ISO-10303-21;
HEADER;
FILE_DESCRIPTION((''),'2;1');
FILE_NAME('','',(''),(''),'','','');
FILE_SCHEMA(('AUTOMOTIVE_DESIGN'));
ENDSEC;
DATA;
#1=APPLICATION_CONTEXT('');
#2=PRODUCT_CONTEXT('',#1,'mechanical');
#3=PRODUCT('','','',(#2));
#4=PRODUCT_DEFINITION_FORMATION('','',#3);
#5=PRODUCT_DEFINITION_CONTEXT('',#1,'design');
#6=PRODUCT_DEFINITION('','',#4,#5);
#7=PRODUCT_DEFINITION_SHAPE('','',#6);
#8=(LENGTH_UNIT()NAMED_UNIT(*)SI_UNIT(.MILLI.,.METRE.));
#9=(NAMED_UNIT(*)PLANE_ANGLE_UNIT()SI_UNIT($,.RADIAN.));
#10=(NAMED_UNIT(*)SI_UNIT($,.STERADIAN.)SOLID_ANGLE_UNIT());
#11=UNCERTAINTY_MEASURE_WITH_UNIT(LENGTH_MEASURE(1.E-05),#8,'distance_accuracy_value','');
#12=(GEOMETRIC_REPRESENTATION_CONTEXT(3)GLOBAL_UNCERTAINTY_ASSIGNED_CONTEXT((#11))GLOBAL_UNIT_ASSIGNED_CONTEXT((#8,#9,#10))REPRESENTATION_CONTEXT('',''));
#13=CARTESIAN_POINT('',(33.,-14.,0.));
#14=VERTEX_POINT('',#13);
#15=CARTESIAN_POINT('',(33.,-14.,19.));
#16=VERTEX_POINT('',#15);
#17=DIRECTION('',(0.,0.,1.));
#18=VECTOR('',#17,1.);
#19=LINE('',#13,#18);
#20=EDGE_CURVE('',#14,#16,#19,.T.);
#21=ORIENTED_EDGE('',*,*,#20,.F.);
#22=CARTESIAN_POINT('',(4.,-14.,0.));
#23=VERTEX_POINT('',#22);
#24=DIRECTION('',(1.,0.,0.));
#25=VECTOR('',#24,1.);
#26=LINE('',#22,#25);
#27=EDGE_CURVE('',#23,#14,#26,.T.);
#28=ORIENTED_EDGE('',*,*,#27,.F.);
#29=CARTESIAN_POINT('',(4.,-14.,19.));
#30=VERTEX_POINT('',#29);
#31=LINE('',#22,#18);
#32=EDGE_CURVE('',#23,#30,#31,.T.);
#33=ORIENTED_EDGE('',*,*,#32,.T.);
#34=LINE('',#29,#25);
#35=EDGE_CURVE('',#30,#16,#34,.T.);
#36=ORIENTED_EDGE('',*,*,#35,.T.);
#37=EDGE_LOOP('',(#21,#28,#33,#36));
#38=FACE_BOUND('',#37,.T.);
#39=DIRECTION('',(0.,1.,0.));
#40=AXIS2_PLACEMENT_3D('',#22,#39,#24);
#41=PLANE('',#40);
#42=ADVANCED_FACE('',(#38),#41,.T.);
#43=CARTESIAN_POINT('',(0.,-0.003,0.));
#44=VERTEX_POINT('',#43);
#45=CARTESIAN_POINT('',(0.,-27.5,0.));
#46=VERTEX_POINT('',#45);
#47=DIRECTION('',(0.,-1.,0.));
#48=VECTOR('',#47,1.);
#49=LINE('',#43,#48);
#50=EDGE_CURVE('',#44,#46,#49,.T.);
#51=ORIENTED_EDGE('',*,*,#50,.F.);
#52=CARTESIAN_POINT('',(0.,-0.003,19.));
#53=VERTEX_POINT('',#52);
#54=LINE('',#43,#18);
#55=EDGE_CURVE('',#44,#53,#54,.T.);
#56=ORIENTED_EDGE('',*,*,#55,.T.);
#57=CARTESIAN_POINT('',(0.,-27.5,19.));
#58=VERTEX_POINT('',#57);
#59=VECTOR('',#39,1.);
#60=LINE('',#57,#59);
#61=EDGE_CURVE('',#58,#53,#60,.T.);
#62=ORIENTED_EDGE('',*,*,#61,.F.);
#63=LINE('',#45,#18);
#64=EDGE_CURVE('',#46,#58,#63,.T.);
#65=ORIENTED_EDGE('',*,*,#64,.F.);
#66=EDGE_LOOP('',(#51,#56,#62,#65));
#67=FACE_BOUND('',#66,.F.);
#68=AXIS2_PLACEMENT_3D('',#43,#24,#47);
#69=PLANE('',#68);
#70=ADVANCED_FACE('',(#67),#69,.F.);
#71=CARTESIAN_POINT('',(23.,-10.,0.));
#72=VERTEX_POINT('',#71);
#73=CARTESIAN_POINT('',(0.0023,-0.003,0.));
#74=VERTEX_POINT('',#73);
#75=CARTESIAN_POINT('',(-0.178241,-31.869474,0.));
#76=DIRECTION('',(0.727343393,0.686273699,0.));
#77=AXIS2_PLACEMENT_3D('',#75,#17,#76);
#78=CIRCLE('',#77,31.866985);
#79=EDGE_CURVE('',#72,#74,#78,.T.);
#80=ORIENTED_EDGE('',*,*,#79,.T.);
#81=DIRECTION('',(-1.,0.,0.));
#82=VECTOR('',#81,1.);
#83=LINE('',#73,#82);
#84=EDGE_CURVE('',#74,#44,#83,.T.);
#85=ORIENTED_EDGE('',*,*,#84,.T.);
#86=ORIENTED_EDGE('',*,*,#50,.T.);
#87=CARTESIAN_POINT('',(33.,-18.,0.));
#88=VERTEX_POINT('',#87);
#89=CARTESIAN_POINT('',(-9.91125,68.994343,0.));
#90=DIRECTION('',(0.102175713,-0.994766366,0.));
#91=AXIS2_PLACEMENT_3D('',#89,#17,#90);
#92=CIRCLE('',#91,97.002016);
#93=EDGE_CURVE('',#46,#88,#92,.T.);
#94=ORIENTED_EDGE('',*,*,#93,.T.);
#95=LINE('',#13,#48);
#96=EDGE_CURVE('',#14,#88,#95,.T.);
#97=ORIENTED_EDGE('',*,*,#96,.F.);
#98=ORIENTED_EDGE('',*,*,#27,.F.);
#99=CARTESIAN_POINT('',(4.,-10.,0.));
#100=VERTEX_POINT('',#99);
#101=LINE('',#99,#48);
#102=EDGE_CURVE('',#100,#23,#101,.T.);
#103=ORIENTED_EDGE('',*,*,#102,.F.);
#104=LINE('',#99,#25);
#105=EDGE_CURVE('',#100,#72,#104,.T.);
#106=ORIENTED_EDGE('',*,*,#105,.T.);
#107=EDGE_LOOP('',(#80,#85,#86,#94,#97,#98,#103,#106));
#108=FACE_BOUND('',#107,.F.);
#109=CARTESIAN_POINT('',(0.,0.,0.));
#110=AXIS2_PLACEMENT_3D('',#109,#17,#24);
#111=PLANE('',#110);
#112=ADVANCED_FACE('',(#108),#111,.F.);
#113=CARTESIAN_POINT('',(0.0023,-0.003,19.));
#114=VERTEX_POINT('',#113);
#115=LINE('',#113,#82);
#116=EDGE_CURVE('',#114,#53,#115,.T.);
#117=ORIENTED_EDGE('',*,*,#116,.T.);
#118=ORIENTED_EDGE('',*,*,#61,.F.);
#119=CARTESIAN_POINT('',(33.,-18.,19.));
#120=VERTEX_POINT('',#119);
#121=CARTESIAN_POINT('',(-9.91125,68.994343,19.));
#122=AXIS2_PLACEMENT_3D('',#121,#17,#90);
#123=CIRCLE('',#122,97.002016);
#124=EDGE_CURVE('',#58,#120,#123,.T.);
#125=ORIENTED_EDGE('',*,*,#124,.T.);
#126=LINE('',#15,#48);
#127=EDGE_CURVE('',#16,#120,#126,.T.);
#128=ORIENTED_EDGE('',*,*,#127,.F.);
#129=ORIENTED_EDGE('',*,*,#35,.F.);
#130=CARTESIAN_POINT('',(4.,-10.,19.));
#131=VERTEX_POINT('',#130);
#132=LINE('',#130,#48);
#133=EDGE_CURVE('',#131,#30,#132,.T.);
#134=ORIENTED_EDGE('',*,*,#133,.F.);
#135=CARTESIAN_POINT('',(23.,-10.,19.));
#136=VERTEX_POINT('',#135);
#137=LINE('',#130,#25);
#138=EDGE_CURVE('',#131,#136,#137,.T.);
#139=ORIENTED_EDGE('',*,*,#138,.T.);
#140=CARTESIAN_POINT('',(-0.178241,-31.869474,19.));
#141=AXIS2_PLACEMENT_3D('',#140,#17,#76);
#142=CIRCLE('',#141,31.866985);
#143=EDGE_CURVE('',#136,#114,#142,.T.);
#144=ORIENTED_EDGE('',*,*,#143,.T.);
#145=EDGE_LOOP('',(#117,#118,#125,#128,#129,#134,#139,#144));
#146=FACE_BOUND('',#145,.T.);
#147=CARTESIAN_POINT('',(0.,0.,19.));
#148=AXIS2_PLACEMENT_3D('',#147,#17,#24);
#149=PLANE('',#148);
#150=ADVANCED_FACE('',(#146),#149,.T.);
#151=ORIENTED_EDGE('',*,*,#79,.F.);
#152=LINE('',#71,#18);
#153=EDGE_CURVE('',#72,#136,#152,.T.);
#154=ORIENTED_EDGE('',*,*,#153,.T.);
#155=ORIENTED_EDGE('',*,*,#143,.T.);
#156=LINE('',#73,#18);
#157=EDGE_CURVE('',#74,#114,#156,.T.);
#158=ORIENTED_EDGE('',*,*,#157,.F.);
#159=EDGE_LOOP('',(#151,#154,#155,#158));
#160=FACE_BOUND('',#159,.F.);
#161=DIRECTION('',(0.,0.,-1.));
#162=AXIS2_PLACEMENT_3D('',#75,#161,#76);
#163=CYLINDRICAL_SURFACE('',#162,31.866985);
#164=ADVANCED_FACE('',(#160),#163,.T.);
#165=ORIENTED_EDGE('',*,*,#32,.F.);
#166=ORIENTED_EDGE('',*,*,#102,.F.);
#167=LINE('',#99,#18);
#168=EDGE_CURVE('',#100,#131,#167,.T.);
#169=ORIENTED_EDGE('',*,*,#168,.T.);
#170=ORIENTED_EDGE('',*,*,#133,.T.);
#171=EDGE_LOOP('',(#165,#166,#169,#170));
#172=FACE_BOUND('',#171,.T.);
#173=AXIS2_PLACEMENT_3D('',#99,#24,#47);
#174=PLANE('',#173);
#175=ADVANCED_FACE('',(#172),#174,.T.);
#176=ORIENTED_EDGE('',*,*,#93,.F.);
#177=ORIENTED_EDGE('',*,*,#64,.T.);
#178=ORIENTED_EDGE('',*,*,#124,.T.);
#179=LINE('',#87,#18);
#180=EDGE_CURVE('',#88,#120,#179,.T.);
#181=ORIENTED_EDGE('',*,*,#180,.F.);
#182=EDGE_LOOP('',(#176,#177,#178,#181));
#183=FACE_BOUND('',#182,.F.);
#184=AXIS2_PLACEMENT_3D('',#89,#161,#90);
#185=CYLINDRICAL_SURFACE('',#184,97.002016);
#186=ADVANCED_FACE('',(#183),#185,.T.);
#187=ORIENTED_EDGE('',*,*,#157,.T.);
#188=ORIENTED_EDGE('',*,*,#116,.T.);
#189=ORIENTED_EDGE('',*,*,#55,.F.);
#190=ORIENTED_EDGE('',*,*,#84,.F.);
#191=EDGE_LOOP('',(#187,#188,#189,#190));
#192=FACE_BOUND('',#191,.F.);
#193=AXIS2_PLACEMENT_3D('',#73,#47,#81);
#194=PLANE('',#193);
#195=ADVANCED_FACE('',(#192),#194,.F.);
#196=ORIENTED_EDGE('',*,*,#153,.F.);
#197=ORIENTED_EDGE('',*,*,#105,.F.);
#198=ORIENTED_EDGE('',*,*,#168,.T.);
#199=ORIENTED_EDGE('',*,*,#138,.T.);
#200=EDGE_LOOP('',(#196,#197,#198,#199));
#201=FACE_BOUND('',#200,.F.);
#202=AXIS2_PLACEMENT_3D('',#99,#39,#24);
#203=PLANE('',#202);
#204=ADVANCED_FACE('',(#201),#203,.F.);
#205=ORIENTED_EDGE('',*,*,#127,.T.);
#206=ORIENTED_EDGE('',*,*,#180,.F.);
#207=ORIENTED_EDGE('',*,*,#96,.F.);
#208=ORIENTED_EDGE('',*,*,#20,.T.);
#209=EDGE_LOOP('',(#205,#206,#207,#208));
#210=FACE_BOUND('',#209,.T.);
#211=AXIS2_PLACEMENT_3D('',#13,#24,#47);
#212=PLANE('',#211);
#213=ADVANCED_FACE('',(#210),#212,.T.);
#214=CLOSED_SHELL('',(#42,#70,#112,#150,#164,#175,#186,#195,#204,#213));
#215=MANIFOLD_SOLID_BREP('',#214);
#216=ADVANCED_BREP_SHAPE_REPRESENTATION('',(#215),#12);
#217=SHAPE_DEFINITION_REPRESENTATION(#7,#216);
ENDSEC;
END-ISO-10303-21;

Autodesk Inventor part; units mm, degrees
ref_plane "YZ Plane" through (0, 0, 0) normal (1, 0, 0) x (0, 1, 0)
ref_plane "XZ Plane" through (0, 0, 0) normal (0, 1, 0) x (-1, 0, 0)
ref_plane "XY Plane" through (0, 0, 0) normal (0, 0, 1) x (1, 0, 0)
sketch "Sketch1" plane through (0, 0, 0) normal (0, 0, 1) x (1, 0, 0)
  line L0 (0, -0.003) -> (0, -27.5)
  line L1 (0, -0.003) -> (0, -10) construction
  line L2 (0, -10) -> (4, -10) construction
  line L3 (4, -10) -> (4, -14)
  line L4 (4, -10) -> (23, -10)
  line L5 (4, -10) -> (23, -10) construction
  line L6 (4, -14) -> (33, -14)
  line L7 (33, -14) -> (33, -18)
  arc A0 (0, -27.5) -> (33, -18) centre (-9.9113, 68.9946) ccw
  line L8 (23, -10) -> (23, -10)
  line L9 (0, 0) -> (0, 0)
  arc A1 (23, -10) -> (0.0023, -0.003) centre (-0.1784, -31.8697) ccw
  line L10 (0, -0.003) -> (0, -10)
  line L11 (0, -10) -> (23, -10)
  line L12 (0.0023, -0.003) -> (0, -0.003)
  dimension "d0" = 27.5
  dimension "d1" = 10
  dimension "d2" = 4
  dimension "d3" = 4
  dimension "d4" = 19
  dimension "d5" = 0
  dimension "d6" = 29
  dimension "d7" = 4
extrude "Extrusion1" add sketch "Sketch1" along normal blind 19
properties part number "opticmount"
